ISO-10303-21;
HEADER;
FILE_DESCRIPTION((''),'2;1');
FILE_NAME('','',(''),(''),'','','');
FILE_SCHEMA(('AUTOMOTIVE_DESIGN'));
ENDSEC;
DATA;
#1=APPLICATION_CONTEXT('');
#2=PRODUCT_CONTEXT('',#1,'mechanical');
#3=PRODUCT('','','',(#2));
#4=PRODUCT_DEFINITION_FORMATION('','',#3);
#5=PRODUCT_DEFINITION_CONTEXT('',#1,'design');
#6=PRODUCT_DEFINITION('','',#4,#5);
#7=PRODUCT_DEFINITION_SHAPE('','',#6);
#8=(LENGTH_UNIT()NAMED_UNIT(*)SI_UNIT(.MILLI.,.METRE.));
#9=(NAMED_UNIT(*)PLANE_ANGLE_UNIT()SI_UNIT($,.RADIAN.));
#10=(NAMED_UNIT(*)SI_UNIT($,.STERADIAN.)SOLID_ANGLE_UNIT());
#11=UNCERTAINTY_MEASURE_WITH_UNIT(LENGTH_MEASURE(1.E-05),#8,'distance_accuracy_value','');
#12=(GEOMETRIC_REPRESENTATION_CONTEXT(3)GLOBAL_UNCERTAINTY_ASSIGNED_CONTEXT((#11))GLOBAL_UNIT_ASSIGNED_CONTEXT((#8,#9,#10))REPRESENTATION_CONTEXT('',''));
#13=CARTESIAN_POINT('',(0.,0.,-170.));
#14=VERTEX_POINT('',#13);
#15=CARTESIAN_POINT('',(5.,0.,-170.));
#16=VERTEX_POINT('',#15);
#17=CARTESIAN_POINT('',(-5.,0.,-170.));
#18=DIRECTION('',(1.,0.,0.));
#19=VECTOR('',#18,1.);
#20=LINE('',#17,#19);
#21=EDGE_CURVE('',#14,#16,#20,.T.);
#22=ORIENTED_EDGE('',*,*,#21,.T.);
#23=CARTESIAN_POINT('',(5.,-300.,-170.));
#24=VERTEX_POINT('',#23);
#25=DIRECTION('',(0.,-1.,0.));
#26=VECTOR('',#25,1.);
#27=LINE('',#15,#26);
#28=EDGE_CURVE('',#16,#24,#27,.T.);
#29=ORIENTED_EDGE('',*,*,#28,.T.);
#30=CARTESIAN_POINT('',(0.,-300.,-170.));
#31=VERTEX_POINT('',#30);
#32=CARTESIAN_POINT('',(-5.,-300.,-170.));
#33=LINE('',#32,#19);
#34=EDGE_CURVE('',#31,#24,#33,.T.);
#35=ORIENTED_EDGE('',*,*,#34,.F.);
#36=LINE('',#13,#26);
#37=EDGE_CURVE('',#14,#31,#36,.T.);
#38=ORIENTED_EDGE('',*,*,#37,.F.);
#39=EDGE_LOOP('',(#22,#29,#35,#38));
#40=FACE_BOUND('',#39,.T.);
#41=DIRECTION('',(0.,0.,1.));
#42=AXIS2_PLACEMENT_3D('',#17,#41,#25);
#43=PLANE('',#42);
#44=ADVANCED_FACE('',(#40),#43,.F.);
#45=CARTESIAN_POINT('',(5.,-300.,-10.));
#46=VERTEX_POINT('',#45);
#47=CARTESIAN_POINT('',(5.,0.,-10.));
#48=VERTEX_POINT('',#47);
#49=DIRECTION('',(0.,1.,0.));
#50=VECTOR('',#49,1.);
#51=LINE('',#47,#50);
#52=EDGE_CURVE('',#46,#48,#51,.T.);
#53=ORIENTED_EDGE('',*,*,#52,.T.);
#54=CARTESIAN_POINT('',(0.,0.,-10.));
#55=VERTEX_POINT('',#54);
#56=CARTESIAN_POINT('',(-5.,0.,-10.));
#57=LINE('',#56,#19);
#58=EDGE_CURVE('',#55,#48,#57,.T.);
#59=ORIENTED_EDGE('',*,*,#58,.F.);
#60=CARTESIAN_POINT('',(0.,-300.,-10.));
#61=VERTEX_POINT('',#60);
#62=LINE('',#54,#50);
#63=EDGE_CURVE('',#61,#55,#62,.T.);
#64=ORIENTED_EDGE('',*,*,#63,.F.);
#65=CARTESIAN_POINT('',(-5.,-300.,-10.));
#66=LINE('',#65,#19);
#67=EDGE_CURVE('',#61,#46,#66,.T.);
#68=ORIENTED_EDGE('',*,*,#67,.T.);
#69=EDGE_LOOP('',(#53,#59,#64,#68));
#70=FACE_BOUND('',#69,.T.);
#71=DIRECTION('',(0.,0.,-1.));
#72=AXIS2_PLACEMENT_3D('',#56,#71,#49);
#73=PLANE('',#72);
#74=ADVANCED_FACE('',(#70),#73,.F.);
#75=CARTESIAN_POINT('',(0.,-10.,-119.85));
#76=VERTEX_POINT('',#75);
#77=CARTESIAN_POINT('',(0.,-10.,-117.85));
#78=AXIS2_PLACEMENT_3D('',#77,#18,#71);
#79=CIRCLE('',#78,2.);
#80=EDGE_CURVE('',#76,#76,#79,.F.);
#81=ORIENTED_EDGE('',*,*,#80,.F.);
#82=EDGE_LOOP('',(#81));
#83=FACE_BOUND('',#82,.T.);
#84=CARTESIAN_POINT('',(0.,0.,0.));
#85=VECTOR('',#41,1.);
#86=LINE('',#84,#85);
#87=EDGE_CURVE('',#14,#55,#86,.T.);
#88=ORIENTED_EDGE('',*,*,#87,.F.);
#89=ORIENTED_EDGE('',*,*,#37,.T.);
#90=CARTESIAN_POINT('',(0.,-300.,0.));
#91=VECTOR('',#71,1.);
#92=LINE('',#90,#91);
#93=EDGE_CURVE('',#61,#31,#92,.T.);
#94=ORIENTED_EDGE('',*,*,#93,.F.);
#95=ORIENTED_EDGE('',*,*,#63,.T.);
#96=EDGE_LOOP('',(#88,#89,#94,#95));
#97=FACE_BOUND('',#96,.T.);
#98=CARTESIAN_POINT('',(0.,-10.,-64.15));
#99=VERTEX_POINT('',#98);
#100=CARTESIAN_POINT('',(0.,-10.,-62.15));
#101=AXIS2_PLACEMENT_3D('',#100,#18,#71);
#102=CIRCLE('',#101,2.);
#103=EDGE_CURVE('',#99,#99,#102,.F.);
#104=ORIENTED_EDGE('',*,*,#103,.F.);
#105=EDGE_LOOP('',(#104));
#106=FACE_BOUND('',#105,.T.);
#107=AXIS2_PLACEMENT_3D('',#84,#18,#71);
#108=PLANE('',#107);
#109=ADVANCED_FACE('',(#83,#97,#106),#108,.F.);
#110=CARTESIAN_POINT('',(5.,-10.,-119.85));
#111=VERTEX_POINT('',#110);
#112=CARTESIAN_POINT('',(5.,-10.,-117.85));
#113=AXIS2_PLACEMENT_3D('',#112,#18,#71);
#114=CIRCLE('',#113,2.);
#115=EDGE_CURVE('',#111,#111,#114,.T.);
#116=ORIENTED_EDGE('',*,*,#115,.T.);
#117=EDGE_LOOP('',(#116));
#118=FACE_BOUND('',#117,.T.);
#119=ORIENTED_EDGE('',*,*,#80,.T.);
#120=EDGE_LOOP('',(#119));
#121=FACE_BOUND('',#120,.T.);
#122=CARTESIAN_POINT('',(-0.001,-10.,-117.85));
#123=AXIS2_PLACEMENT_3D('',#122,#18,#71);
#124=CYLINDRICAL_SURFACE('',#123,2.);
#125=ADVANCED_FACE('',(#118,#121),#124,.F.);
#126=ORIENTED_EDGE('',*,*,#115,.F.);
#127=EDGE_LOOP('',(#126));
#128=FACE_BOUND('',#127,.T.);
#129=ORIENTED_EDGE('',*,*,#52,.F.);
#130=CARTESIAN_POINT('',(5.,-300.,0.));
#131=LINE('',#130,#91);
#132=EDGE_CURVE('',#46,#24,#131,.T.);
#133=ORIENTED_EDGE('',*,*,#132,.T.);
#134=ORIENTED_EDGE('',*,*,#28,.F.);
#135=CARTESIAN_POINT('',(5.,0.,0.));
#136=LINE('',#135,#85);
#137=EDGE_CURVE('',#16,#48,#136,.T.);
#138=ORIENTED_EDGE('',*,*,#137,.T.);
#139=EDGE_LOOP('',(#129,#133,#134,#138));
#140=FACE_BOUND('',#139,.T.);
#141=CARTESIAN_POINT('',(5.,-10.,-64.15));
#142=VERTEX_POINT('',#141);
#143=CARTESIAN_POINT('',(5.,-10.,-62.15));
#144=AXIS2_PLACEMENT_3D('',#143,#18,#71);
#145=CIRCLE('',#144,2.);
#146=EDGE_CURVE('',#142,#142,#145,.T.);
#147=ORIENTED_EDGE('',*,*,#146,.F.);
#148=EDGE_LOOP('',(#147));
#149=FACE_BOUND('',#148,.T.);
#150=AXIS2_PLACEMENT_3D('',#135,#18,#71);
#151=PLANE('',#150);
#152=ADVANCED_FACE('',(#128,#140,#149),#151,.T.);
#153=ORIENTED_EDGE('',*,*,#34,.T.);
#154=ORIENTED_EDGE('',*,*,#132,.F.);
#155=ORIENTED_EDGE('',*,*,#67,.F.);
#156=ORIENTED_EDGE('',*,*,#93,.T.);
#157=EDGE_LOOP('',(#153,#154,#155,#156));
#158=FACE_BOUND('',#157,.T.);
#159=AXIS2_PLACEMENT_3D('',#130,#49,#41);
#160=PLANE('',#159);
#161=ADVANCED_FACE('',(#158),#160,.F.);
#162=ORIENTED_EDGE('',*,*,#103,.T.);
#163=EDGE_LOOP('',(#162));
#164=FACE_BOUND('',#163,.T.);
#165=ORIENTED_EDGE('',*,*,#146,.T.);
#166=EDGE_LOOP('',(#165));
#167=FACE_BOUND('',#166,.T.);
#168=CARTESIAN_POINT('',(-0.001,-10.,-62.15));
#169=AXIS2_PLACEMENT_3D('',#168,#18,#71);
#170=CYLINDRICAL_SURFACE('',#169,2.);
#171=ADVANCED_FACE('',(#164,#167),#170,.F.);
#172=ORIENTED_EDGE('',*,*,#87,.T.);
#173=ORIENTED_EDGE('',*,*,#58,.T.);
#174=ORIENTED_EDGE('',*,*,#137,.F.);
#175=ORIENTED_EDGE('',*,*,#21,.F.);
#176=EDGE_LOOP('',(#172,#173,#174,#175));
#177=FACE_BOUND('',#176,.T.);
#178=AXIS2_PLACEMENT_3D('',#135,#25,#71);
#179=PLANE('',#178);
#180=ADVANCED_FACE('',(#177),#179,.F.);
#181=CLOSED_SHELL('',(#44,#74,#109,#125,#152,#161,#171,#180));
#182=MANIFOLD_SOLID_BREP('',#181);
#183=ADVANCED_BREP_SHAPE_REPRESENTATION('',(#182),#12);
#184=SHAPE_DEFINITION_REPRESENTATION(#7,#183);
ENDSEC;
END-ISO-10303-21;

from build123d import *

# Parameters (mm, degrees)
SKETCH_1_W          = 180
SKETCH_1_H          = 300
EXTRUDE_1_DEPTH     = 5
CUT_EXTRUDE_1_REACH = 7
SKETCH_2_R          = 2
SKETCH_4_W          = 10
SKETCH_4_H          = 300
CUT_EXTRUDE_3_DEPTH = 10


with BuildPart() as part:
    # 草图1 → 凸台-拉伸1 (new body)
    with BuildSketch(Plane(origin=(0, 0, 0), x_dir=(0, 0, -1), z_dir=(1, 0, 0))):
        with Locations((90, -150)):
            Rectangle(SKETCH_1_W, SKETCH_1_H)
    extrude(amount=EXTRUDE_1_DEPTH)

    # 草图2 → 切除-拉伸1 (cut, up to next)
    with BuildSketch(Plane(origin=(5, 0, 0), x_dir=(0, 0, -1), z_dir=(1, 0, 0)), mode=Mode.PRIVATE) as cut_extrude_1_sk1:
        with Locations((62.15, -10)):
            Circle(SKETCH_2_R)
    cut_extrude_1_tool1 = extrude(cut_extrude_1_sk1.sketch, amount=-CUT_EXTRUDE_1_REACH, mode=Mode.PRIVATE) & part.part
    add(cut_extrude_1_tool1.solids().sort_by_distance((5, -10, -62.15))[0], mode=Mode.SUBTRACT)
    # 草图2 → 切除-拉伸1 (cut, up to next)
    with BuildSketch(Plane(origin=(5, 0, 0), x_dir=(0, 0, -1), z_dir=(1, 0, 0)), mode=Mode.PRIVATE) as cut_extrude_1_sk2:
        with Locations((117.85, -10)):
            Circle(SKETCH_2_R)
    cut_extrude_1_tool2 = extrude(cut_extrude_1_sk2.sketch, amount=-CUT_EXTRUDE_1_REACH, mode=Mode.PRIVATE) & part.part
    add(cut_extrude_1_tool2.solids().sort_by_distance((5, -10, -117.85))[0], mode=Mode.SUBTRACT)

    # 草图4 → 切除-拉伸3 (cut)
    with BuildSketch(Plane(origin=(5, 0, 0), x_dir=(0, 0, -1), z_dir=(1, 0, 0))):
        with Locations((5, -150)):
            Rectangle(SKETCH_4_W, SKETCH_4_H)
        with Locations((175, -150)):
            Rectangle(SKETCH_4_W, SKETCH_4_H)
    extrude(amount=-CUT_EXTRUDE_3_DEPTH, mode=Mode.SUBTRACT)


solid = part.part
